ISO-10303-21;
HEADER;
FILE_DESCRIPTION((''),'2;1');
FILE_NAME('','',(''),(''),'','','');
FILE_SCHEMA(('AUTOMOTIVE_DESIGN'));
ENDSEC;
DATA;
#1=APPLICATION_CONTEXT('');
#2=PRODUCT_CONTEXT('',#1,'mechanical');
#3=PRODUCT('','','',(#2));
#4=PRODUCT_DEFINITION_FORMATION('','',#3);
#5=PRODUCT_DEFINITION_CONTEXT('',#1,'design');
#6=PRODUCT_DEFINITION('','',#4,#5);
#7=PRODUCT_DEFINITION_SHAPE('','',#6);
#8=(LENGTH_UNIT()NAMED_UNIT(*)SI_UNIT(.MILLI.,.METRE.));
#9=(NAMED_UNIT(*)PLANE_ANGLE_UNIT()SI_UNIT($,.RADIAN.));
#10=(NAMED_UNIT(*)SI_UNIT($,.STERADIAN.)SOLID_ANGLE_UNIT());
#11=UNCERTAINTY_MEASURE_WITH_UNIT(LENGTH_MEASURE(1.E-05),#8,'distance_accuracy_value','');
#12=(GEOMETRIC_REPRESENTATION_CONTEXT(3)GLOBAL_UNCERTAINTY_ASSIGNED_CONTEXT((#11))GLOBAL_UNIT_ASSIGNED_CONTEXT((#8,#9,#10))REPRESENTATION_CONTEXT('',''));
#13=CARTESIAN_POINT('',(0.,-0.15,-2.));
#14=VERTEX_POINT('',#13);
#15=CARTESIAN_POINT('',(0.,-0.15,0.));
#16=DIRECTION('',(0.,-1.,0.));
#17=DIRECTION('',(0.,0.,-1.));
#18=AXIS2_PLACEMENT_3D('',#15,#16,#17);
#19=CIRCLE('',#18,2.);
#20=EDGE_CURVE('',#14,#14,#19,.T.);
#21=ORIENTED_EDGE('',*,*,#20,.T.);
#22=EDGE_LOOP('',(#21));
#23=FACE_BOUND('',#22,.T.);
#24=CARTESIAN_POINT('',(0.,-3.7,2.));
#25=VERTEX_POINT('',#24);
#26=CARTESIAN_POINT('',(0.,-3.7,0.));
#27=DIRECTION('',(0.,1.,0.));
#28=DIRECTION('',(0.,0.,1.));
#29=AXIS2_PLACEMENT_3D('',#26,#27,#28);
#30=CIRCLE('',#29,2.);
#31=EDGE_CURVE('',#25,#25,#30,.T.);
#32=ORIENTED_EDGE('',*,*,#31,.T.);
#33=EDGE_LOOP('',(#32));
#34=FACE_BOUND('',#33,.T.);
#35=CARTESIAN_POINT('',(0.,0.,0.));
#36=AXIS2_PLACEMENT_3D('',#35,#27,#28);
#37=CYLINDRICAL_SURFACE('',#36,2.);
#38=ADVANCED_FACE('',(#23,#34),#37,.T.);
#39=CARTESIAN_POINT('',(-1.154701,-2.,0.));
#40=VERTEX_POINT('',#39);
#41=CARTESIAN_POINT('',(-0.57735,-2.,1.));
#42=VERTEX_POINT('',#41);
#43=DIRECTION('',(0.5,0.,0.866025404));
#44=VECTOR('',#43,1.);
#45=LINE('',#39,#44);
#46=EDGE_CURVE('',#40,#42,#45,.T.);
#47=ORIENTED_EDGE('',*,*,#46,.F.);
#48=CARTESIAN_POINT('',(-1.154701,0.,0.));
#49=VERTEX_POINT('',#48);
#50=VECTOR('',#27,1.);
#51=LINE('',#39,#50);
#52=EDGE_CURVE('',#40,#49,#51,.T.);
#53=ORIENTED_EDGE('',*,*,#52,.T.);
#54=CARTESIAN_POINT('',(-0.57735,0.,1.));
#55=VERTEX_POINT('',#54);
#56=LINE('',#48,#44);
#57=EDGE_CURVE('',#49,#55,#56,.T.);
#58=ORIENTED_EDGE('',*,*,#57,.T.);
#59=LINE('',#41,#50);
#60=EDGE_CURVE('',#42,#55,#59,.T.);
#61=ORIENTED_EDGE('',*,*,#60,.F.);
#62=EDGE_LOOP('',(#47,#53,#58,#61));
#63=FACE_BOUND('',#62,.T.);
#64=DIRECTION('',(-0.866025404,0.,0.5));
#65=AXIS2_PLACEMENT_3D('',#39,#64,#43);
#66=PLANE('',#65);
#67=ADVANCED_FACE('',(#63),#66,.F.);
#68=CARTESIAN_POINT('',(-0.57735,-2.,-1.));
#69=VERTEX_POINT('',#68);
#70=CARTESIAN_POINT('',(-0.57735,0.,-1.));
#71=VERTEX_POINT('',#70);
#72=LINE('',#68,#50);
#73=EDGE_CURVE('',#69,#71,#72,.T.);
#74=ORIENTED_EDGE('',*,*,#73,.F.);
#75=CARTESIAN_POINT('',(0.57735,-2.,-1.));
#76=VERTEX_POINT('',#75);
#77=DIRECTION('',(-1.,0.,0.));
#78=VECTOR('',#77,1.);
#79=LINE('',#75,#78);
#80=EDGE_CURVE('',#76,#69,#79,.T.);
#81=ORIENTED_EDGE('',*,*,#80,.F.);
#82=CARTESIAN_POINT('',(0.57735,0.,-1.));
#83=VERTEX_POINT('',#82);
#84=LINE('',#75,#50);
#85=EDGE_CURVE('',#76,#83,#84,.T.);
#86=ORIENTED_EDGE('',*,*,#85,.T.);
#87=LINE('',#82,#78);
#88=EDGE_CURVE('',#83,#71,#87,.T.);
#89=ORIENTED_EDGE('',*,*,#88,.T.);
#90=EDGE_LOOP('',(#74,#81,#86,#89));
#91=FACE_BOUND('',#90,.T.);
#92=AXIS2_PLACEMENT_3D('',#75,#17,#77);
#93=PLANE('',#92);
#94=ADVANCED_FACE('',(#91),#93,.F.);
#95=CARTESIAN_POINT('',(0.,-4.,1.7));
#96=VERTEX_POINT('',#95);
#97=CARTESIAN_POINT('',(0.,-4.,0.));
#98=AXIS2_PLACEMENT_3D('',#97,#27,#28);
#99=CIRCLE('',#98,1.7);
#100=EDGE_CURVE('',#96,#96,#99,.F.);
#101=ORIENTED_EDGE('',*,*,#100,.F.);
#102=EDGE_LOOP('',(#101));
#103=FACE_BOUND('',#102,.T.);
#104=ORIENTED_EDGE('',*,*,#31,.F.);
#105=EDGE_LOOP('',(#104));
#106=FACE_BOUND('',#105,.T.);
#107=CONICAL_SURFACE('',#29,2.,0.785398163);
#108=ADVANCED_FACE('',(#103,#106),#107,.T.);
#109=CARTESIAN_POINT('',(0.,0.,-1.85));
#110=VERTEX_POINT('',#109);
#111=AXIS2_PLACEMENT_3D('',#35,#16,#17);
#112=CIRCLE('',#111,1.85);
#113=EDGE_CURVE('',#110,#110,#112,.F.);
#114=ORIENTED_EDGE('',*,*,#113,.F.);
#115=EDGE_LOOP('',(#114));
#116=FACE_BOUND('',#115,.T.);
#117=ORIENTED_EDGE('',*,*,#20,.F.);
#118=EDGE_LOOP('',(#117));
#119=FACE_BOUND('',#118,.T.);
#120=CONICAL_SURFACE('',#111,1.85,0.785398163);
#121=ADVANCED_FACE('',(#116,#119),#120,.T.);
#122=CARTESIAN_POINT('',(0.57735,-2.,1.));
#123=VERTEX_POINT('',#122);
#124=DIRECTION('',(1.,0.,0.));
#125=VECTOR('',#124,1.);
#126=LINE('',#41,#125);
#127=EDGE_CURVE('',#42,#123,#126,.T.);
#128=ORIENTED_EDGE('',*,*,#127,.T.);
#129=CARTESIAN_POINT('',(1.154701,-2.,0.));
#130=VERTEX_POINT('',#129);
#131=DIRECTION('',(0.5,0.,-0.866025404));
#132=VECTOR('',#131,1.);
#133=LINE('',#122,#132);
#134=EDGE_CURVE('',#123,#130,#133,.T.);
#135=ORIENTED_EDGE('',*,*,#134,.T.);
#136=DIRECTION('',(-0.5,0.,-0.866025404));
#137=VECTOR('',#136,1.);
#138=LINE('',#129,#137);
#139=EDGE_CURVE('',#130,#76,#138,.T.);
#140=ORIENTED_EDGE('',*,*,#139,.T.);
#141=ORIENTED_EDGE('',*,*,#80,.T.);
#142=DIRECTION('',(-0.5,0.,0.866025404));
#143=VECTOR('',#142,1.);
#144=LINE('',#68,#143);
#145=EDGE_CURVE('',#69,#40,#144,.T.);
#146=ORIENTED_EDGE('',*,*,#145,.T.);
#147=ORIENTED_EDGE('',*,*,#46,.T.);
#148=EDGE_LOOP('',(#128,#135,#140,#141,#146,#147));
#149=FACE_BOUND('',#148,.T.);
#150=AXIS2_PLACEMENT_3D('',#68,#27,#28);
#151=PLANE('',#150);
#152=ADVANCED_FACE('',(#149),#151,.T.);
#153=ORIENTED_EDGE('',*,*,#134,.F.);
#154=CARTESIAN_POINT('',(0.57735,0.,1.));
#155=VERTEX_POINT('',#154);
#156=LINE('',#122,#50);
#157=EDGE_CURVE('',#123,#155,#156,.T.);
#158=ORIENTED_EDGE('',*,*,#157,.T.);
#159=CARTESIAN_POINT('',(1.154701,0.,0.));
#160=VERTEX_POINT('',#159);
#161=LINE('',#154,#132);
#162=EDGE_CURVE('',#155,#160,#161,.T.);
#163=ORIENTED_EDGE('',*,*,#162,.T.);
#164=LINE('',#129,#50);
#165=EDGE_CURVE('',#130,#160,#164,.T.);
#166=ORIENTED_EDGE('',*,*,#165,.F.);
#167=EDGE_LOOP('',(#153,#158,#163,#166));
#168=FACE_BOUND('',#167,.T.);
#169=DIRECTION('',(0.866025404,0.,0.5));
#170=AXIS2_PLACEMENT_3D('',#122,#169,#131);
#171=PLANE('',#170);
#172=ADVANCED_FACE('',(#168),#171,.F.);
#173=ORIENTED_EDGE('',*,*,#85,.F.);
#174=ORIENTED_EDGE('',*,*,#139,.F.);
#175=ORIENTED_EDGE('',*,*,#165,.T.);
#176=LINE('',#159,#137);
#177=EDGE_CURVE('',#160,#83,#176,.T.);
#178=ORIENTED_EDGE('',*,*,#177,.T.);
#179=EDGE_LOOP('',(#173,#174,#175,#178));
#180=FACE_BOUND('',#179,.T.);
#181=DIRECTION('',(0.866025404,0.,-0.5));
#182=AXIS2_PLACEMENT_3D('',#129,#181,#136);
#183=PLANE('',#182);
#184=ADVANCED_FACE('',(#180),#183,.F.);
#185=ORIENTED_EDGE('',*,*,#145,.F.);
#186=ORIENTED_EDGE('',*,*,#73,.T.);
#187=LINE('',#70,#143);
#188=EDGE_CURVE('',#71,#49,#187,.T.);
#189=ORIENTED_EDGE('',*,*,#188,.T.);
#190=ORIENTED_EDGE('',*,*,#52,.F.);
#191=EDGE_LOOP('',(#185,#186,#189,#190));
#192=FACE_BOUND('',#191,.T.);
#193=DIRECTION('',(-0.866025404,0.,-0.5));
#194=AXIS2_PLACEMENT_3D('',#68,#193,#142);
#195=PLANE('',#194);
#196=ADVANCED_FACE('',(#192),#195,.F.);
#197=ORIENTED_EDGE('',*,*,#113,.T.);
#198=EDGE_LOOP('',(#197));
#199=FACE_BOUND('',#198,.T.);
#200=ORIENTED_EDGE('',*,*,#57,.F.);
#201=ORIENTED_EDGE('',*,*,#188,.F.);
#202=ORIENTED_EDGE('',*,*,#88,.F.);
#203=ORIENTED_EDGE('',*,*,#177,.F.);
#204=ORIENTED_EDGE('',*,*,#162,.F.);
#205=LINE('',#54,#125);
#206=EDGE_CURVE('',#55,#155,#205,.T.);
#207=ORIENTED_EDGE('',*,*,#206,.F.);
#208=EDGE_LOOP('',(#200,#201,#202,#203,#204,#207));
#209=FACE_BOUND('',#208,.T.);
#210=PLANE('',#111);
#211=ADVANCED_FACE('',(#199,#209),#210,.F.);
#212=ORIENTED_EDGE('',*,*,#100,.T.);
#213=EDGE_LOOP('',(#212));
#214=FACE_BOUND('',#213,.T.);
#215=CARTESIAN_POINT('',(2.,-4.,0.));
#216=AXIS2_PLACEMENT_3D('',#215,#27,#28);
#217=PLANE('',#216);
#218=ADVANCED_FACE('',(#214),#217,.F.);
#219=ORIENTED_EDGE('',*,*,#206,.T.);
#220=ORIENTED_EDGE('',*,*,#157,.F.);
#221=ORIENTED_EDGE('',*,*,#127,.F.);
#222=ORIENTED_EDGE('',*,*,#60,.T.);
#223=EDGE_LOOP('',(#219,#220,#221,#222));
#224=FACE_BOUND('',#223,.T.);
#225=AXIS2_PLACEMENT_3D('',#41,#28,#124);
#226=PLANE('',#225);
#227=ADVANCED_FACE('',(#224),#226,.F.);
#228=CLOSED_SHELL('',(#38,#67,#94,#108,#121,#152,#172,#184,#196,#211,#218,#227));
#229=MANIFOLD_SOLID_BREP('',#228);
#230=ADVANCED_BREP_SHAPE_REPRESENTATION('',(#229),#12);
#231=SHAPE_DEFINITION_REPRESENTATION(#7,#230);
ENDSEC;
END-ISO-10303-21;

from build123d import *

# Parameters (mm, degrees)
CROQUIS1_W            = 2
CROQUIS1_H            = 4
CORTAR_EXTRUIR2_DEPTH = 2
CHAFL_N3_SIZE         = 0.3
CHAFL_N4_SIZE         = 0.15


with BuildPart() as part:
    # Croquis1 → Revolución1 (revolve)
    with BuildSketch(Plane.XY):
        with Locations((1, -2)):
            Rectangle(CROQUIS1_W, CROQUIS1_H)
    revolve(axis=Axis((0, 0, 0), (0, -1, 0)))

    # Croquis3 → Cortar-Extruir2 (cut)
    with BuildSketch(Plane(origin=(0, 0, 0), x_dir=(1, 0, 0), z_dir=(0, 1, 0))):
        Polygon((-0.577350269, 1), (-1.154700538, 0), (-0.577350269, -1), (0.577350269, -1), (1.154700538, 0), (0.577350269, 1), align=None)
    extrude(amount=-CORTAR_EXTRUIR2_DEPTH, mode=Mode.SUBTRACT)

    # Chaflán3
    chafl_n3_edges = [part.edges().sort_by_distance(p)[0] for p in [
        (-2, -4, 0),
    ]]
    chamfer(chafl_n3_edges, length=CHAFL_N3_SIZE)

    # Chaflán4
    chafl_n4_edges = [part.edges().sort_by_distance(p)[0] for p in [
        (-2, 0, 0),
    ]]
    chamfer(chafl_n4_edges, length=CHAFL_N4_SIZE)


solid = part.part
